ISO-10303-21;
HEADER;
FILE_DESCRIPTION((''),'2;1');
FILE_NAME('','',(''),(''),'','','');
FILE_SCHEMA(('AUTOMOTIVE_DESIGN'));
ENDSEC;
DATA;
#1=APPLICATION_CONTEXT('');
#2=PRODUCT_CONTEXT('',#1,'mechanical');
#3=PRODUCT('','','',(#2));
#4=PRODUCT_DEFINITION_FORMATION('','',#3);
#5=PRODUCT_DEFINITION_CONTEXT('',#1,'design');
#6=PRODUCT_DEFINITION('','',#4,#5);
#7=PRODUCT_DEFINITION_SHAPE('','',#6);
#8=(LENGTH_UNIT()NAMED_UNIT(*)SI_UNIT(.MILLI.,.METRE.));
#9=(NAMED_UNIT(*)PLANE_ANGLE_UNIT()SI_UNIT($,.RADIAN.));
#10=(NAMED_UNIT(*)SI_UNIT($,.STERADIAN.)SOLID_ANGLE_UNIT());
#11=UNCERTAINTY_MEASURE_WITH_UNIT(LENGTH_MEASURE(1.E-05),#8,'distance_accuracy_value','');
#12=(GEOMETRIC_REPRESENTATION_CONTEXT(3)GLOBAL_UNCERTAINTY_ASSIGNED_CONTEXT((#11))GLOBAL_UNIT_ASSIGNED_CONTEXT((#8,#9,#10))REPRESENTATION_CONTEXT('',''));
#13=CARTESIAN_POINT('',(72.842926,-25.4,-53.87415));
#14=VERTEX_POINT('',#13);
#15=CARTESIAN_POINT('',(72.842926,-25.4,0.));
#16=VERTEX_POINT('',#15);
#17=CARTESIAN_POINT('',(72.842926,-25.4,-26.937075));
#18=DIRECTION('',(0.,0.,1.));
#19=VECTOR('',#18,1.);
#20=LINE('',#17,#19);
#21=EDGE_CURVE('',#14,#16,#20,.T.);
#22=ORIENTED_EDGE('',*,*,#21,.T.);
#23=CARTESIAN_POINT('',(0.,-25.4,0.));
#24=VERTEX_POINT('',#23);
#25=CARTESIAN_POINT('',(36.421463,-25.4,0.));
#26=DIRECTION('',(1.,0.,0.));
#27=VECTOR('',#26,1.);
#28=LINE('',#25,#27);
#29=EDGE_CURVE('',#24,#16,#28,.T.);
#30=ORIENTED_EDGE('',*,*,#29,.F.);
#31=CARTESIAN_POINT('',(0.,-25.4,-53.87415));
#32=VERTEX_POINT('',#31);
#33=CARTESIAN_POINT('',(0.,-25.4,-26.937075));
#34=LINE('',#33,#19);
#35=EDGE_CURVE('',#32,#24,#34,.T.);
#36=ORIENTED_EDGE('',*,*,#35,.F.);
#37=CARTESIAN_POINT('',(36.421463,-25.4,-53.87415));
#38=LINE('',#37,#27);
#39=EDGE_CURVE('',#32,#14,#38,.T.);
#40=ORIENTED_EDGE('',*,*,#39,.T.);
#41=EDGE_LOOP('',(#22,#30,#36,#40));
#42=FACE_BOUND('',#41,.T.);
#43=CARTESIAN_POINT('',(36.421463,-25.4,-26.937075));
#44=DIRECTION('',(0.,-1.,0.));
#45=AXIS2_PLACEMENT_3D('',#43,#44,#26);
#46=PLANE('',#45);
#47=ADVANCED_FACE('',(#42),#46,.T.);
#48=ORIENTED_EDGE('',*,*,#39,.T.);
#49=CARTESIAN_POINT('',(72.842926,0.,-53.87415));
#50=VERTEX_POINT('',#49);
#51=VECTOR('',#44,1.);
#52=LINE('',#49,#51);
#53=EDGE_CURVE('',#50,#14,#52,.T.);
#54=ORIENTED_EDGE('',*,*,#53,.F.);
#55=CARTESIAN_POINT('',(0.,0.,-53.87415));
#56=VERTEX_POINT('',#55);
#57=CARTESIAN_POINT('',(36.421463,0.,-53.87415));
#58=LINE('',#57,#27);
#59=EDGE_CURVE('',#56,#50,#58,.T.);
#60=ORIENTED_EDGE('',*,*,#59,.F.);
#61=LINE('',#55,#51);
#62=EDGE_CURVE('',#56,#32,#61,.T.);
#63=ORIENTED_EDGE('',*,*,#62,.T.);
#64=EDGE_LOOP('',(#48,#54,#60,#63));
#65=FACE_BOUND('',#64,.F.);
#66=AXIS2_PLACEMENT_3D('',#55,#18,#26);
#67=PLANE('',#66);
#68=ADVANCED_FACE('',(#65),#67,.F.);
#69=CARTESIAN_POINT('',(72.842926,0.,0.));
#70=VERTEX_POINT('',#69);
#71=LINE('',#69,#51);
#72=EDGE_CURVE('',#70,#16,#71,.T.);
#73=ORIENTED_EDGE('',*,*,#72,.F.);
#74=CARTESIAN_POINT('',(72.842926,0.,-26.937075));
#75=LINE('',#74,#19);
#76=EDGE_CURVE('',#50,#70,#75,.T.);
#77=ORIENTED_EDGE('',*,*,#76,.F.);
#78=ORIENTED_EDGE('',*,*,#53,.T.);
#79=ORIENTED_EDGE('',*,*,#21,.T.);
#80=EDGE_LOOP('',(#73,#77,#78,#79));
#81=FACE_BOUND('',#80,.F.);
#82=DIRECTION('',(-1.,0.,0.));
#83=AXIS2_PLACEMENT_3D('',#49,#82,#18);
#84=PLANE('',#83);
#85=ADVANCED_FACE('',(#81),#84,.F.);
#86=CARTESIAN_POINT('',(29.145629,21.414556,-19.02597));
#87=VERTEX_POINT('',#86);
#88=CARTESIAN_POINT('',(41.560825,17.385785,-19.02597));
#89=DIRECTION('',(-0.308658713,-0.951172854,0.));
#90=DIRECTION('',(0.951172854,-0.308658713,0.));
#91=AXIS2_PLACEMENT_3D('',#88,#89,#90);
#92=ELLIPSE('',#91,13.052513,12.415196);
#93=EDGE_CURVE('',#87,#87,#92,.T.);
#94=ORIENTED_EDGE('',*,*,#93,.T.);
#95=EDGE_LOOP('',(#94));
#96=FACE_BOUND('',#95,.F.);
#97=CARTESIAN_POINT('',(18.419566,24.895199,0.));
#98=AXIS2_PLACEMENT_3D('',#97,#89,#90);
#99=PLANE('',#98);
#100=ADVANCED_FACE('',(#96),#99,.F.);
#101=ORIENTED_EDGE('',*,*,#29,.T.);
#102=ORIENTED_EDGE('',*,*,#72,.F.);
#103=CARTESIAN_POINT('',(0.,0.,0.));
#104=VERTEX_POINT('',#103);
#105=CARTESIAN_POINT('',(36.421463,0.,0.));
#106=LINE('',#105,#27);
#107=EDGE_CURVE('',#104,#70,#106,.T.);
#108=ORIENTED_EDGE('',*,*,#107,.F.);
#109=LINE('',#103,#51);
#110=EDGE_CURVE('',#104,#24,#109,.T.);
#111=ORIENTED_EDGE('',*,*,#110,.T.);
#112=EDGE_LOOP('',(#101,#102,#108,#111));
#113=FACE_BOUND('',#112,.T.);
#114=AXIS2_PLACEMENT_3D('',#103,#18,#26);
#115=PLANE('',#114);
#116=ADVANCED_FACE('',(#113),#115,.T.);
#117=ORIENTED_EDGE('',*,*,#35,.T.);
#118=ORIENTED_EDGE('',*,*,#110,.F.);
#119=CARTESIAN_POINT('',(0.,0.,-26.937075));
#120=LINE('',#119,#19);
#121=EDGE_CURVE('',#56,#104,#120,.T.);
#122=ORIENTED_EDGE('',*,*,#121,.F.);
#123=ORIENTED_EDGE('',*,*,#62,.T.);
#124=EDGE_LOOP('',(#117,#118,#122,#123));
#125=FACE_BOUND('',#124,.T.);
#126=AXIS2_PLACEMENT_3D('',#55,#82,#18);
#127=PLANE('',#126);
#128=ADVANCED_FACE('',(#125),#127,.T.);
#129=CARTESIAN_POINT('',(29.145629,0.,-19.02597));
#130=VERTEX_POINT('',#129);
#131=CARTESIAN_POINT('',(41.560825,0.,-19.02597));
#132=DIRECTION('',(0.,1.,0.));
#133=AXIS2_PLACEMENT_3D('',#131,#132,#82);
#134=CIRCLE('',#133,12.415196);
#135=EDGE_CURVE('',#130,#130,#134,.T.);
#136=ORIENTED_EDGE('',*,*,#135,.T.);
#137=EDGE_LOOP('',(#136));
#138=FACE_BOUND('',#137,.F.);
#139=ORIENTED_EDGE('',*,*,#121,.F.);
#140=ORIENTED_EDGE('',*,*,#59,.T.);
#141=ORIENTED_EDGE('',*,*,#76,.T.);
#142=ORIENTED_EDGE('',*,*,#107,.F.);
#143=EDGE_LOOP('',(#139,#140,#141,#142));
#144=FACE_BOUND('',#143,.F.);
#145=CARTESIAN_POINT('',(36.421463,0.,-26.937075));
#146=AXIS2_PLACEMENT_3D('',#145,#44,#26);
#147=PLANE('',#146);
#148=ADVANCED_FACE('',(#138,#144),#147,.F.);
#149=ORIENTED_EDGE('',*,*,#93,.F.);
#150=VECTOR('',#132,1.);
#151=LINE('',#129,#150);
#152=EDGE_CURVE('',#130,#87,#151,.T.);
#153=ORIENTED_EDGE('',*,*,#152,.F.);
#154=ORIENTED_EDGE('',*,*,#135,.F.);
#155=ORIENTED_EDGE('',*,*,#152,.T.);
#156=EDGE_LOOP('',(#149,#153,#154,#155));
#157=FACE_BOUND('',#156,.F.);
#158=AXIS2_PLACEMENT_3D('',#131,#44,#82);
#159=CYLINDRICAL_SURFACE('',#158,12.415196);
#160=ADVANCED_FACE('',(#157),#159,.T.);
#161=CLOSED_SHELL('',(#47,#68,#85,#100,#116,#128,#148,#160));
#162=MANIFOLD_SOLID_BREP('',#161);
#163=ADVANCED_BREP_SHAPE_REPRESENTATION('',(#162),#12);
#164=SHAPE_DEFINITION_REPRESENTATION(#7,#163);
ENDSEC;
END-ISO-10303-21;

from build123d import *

# Parameters (mm, degrees)
F0_W     = 72.842926
F0_H     = 53.87415
F1_DEPTH = 25.4
F2_R     = 12.415196
F3_DEPTH = 25.4
F5_DEPTH = 40.132


with BuildPart() as f1:
    # F0 (on Front) → F1 (new body)
    with BuildSketch(Plane.XZ):
        with Locations((36.421463, -26.937075)):
            Rectangle(F0_W, F0_H)
    extrude(amount=F1_DEPTH)

    # F2 (on face) → F3 (join)
    with BuildSketch(Plane(origin=(0, 0, 0), x_dir=(-1, 0, 0), z_dir=(0, 1, 0))):
        with Locations((-41.560825, -19.02597)):
            Circle(F2_R)
    extrude(amount=F3_DEPTH)

    # F4 (on Top) → F5 (cut)
    with BuildSketch(Plane.XY):
        Polygon((61.878242, 30.363508), (18.419566, 24.895199), (61.878242, 10.792716), align=None)
    extrude(amount=-F5_DEPTH, mode=Mode.SUBTRACT)


solid = f1.part
